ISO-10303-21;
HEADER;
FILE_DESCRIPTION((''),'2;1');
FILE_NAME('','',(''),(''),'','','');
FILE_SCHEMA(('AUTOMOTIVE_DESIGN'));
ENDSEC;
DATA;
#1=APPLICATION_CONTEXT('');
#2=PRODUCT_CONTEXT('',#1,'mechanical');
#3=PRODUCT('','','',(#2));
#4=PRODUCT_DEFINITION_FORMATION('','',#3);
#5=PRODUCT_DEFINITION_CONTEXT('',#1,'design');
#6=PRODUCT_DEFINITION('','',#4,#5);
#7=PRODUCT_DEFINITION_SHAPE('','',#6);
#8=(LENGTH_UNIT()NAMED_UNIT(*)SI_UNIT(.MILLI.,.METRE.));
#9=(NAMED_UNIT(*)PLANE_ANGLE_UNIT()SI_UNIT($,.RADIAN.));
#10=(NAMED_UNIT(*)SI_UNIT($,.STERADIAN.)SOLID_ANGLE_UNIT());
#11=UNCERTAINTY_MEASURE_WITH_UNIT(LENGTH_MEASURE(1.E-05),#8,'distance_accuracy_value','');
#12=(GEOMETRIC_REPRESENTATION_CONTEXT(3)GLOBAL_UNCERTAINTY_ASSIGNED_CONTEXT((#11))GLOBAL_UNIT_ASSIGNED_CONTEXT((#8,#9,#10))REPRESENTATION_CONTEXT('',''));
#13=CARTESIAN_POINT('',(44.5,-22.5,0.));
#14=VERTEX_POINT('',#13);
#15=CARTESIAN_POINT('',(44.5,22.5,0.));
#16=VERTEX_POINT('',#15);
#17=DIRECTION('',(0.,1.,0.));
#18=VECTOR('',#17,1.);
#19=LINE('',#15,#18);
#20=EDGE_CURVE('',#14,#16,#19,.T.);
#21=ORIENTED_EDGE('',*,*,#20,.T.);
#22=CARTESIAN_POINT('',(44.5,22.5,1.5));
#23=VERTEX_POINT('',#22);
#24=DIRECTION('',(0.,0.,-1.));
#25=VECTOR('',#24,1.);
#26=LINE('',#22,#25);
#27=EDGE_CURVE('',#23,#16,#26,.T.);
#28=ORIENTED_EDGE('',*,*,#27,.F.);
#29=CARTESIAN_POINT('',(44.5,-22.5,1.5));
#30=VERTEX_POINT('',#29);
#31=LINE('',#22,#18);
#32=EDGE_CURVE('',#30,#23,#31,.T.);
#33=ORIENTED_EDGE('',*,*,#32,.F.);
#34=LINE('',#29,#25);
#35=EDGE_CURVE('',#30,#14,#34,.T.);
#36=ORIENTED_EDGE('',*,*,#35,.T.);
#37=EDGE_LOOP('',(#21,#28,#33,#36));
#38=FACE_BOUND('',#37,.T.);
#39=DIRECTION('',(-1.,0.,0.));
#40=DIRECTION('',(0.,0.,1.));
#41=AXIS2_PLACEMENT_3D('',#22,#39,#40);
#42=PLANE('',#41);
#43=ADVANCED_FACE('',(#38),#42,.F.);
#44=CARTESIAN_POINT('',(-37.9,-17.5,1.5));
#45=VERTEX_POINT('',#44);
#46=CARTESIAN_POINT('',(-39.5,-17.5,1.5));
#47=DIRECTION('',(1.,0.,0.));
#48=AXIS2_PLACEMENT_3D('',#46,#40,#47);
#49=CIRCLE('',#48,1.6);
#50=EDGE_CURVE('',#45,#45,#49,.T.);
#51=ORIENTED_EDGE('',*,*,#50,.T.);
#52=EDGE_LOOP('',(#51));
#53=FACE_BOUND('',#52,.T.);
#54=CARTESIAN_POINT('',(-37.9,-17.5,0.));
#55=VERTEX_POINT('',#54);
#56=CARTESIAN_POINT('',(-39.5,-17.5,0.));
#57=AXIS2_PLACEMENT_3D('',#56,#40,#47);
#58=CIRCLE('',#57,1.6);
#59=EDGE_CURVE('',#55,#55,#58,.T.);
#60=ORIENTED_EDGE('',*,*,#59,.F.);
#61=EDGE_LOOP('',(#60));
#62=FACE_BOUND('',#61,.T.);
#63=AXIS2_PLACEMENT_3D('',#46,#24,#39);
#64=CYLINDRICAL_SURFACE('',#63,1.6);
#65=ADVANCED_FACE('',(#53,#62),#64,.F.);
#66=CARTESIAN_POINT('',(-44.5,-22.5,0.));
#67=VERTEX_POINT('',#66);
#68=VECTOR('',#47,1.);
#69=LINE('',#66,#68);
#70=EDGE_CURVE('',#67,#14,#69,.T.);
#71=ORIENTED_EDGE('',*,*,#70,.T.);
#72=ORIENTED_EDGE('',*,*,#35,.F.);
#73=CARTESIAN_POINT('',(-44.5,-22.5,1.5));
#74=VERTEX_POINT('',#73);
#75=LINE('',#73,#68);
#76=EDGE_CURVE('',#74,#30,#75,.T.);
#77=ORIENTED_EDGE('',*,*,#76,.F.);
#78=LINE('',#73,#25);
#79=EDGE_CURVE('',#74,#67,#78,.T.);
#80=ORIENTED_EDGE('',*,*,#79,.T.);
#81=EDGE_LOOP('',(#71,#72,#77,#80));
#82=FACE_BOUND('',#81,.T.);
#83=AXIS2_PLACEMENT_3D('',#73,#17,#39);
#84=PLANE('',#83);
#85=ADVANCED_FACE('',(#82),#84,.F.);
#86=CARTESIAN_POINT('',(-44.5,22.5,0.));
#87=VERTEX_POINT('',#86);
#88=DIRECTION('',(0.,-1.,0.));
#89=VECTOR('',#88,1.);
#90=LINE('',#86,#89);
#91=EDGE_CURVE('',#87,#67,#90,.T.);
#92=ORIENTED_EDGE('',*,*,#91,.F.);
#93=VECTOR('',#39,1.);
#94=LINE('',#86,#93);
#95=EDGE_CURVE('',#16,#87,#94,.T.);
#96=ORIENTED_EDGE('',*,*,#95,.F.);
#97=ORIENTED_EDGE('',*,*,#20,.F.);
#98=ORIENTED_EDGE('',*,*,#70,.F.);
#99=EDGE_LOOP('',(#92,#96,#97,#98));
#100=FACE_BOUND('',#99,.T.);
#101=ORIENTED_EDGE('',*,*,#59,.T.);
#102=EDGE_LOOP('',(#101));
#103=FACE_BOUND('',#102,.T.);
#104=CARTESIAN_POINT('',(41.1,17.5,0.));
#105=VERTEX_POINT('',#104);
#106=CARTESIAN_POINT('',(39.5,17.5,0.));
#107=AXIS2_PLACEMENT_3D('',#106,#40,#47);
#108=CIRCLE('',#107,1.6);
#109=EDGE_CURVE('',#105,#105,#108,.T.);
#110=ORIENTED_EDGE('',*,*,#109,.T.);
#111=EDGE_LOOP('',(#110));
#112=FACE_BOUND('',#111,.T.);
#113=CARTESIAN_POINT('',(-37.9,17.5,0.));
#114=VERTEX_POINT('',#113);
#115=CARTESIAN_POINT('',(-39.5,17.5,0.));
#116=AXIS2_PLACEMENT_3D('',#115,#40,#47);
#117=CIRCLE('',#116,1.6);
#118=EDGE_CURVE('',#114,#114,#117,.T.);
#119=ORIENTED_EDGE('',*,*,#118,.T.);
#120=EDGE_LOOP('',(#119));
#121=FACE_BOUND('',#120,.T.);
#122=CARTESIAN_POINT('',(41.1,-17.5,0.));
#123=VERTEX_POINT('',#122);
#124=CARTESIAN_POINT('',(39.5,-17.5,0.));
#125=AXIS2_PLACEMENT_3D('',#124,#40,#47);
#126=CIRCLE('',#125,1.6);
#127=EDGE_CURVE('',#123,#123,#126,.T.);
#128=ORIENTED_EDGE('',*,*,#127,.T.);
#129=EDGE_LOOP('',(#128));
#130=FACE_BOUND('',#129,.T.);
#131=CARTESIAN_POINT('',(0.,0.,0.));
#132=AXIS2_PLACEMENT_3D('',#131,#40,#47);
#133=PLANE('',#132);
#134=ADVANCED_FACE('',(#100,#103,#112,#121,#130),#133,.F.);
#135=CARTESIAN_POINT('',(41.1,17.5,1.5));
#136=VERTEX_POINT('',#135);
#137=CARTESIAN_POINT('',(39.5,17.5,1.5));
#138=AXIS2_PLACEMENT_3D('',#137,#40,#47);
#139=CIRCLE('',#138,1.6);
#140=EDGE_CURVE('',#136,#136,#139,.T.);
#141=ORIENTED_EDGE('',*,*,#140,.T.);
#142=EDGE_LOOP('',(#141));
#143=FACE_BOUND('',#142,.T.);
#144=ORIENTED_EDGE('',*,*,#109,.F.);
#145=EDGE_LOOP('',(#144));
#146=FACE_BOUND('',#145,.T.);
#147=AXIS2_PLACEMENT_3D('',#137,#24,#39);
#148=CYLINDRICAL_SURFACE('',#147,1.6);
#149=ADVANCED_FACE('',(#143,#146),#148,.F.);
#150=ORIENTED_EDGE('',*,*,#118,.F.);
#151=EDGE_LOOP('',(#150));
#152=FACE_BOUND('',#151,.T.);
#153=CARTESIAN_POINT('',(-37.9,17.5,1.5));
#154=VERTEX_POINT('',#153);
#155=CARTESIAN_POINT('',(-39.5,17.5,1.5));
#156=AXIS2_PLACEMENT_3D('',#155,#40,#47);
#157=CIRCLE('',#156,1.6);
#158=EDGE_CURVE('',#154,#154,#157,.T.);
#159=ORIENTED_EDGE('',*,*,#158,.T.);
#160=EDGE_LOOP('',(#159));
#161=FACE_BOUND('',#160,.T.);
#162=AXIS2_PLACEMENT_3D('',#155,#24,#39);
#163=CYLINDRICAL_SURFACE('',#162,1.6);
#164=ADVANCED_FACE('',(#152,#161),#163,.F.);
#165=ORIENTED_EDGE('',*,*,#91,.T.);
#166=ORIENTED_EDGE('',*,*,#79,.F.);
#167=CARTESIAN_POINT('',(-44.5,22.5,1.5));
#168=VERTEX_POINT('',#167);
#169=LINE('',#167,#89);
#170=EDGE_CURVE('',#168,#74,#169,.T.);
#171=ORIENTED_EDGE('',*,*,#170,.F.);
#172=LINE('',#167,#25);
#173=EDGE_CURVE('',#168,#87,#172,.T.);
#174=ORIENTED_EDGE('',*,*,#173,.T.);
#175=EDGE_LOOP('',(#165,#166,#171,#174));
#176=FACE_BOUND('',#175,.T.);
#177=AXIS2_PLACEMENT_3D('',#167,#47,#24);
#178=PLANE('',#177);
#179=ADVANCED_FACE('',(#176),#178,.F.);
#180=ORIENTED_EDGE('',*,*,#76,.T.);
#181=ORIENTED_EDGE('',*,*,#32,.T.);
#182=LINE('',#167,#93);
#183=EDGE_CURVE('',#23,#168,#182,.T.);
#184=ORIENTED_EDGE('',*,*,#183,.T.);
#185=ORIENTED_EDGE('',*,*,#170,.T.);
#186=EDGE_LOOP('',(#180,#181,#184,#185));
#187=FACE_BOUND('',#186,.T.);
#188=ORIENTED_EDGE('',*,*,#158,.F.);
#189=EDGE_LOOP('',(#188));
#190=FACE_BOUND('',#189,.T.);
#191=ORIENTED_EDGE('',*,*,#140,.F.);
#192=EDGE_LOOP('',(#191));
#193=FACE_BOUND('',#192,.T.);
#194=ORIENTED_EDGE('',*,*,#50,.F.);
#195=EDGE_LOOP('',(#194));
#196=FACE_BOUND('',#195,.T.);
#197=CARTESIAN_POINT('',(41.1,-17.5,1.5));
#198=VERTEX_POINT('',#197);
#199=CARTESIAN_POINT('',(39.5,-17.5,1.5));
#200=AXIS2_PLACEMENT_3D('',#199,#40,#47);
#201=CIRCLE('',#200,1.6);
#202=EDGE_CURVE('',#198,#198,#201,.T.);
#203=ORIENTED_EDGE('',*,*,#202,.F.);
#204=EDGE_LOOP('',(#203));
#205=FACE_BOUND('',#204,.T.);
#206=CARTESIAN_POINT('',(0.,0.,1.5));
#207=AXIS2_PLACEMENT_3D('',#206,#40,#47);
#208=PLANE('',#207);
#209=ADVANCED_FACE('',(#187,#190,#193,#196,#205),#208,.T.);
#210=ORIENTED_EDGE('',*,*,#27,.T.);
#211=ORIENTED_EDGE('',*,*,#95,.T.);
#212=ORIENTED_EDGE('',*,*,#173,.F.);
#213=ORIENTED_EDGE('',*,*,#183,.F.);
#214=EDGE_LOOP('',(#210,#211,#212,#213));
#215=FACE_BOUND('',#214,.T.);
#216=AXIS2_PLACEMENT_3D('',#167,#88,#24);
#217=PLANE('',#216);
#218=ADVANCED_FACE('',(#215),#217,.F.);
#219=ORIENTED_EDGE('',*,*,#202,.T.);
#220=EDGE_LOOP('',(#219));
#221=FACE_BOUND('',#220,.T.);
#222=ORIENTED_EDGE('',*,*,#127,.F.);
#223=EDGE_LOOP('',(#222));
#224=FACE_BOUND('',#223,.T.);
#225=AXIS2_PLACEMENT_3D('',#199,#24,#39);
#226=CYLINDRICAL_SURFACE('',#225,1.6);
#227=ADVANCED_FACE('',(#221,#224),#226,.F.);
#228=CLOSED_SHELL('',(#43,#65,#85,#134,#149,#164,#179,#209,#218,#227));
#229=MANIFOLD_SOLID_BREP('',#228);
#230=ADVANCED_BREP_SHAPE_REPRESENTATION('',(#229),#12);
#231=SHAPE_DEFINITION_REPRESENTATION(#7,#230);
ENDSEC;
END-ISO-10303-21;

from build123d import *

# Parameters (mm, degrees)
ESQUISSE1_W = 89
ESQUISSE1_H = 45
ESQUISSE1_R = 1.6
MAIN_DEPTH  = 1.5


with BuildPart() as part:
    # Esquisse1 → Main (new body)
    with BuildSketch(Plane.XY):
        Rectangle(ESQUISSE1_W, ESQUISSE1_H)
        with Locations((-39.5, 17.5)):
            Circle(ESQUISSE1_R, mode=Mode.SUBTRACT)
        with Locations((-39.5, -17.5)):
            Circle(ESQUISSE1_R, mode=Mode.SUBTRACT)
        with Locations((39.5, -17.5)):
            Circle(ESQUISSE1_R, mode=Mode.SUBTRACT)
        with Locations((39.5, 17.5)):
            Circle(ESQUISSE1_R, mode=Mode.SUBTRACT)
    extrude(amount=MAIN_DEPTH)


solid = part.part
